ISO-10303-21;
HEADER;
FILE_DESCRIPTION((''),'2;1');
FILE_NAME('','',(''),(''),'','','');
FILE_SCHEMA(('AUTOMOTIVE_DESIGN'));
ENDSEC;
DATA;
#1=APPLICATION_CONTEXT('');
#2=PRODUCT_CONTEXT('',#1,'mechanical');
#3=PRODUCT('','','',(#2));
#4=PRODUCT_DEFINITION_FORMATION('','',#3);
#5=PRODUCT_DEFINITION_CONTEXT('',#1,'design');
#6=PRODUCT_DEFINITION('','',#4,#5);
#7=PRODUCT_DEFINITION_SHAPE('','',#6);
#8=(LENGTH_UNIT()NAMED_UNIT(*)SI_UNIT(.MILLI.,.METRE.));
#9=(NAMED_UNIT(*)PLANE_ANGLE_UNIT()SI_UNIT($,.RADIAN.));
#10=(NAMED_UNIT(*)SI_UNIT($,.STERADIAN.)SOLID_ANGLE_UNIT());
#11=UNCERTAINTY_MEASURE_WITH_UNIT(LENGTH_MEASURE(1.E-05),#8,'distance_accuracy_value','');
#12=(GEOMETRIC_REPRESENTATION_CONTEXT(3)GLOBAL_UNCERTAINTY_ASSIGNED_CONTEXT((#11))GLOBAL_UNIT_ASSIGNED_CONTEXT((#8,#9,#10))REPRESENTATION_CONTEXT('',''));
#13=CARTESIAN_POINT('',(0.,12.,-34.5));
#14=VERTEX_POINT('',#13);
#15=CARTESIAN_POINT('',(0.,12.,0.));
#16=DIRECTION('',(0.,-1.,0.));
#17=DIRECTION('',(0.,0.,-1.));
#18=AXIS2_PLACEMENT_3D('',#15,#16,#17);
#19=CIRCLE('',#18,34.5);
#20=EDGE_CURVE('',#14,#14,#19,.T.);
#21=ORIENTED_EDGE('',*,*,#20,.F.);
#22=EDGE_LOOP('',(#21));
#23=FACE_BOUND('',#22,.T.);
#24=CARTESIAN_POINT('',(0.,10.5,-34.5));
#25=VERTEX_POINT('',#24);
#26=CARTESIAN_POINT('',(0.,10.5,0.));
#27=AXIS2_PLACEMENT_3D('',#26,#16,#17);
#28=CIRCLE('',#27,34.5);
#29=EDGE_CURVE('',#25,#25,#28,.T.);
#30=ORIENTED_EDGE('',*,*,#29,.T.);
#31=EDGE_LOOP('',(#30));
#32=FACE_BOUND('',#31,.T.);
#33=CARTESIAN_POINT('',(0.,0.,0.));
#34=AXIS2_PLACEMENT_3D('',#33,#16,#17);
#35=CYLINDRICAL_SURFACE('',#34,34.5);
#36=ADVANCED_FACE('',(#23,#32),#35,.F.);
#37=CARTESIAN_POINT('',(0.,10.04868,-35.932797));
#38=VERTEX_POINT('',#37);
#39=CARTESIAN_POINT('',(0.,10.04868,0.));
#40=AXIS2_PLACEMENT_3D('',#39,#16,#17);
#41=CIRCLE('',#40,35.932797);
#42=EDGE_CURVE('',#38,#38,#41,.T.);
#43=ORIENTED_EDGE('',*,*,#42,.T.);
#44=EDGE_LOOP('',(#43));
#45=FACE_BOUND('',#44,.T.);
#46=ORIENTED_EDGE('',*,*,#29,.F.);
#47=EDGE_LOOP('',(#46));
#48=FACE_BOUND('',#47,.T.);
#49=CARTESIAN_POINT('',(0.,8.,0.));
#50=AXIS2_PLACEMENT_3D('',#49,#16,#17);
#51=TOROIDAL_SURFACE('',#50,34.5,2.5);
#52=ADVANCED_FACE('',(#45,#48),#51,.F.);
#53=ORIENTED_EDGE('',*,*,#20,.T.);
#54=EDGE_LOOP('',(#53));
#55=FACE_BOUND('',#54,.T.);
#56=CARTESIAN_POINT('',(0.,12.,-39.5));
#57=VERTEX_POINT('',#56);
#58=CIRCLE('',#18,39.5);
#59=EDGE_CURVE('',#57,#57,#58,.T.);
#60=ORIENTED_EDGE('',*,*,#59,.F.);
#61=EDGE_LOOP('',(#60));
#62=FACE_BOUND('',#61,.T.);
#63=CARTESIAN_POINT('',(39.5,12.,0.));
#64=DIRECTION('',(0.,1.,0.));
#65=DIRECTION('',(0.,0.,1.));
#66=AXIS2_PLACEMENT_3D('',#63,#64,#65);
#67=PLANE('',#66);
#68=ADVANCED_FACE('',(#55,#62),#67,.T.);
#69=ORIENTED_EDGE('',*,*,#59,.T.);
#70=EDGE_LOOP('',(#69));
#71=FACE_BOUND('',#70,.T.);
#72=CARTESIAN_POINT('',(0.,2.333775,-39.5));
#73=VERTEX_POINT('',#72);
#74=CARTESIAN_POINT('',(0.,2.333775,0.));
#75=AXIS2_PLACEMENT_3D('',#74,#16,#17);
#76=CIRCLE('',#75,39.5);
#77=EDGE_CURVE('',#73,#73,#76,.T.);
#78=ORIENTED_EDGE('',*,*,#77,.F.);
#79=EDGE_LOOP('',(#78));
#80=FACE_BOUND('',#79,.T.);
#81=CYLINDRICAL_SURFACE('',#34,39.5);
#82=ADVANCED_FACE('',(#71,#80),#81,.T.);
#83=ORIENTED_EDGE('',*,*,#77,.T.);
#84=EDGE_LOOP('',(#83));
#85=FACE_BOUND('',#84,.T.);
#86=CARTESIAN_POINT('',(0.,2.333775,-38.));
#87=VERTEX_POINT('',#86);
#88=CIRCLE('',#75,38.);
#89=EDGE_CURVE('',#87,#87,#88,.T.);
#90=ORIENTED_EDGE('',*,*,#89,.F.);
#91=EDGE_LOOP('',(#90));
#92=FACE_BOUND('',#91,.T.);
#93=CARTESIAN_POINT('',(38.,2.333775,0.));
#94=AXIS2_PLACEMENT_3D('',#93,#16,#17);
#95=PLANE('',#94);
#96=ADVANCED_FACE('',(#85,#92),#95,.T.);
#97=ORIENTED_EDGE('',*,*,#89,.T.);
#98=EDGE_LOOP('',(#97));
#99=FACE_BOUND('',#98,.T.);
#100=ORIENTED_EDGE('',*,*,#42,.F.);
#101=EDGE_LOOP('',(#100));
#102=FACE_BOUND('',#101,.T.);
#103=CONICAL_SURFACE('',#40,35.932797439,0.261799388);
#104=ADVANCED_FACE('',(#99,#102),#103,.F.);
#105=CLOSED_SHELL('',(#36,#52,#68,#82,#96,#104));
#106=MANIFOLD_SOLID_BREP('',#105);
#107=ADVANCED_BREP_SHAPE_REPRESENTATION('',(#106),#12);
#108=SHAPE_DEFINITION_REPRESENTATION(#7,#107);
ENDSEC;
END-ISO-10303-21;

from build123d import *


with BuildPart() as part:
    # Sketch1 → Revolve1 (revolve)
    with BuildSketch(Plane.XY, mode=Mode.PRIVATE) as revolve1_sk:
        with BuildLine():
            Line((38, 2.333775441), (35.932797439, 10.048680429))
            ThreePointArc((35.932797439, 10.048680429), (35.251098838, 10.384502157), (34.5, 10.5))
            Line((34.5, 10.5), (34.5, 12))
            Line((34.5, 12), (39.5, 12))
            Line((39.5, 12), (39.5, 2.333775441))
            Line((39.5, 2.333775441), (38, 2.333775441))
        make_face()
    revolve(revolve1_sk.sketch.rotate(Axis((0, 0, 0), (0, 1, 0)), 90), axis=Axis((0, 0, 0), (0, 1, 0)))  # turned: the seam where the file's is


solid = part.part
